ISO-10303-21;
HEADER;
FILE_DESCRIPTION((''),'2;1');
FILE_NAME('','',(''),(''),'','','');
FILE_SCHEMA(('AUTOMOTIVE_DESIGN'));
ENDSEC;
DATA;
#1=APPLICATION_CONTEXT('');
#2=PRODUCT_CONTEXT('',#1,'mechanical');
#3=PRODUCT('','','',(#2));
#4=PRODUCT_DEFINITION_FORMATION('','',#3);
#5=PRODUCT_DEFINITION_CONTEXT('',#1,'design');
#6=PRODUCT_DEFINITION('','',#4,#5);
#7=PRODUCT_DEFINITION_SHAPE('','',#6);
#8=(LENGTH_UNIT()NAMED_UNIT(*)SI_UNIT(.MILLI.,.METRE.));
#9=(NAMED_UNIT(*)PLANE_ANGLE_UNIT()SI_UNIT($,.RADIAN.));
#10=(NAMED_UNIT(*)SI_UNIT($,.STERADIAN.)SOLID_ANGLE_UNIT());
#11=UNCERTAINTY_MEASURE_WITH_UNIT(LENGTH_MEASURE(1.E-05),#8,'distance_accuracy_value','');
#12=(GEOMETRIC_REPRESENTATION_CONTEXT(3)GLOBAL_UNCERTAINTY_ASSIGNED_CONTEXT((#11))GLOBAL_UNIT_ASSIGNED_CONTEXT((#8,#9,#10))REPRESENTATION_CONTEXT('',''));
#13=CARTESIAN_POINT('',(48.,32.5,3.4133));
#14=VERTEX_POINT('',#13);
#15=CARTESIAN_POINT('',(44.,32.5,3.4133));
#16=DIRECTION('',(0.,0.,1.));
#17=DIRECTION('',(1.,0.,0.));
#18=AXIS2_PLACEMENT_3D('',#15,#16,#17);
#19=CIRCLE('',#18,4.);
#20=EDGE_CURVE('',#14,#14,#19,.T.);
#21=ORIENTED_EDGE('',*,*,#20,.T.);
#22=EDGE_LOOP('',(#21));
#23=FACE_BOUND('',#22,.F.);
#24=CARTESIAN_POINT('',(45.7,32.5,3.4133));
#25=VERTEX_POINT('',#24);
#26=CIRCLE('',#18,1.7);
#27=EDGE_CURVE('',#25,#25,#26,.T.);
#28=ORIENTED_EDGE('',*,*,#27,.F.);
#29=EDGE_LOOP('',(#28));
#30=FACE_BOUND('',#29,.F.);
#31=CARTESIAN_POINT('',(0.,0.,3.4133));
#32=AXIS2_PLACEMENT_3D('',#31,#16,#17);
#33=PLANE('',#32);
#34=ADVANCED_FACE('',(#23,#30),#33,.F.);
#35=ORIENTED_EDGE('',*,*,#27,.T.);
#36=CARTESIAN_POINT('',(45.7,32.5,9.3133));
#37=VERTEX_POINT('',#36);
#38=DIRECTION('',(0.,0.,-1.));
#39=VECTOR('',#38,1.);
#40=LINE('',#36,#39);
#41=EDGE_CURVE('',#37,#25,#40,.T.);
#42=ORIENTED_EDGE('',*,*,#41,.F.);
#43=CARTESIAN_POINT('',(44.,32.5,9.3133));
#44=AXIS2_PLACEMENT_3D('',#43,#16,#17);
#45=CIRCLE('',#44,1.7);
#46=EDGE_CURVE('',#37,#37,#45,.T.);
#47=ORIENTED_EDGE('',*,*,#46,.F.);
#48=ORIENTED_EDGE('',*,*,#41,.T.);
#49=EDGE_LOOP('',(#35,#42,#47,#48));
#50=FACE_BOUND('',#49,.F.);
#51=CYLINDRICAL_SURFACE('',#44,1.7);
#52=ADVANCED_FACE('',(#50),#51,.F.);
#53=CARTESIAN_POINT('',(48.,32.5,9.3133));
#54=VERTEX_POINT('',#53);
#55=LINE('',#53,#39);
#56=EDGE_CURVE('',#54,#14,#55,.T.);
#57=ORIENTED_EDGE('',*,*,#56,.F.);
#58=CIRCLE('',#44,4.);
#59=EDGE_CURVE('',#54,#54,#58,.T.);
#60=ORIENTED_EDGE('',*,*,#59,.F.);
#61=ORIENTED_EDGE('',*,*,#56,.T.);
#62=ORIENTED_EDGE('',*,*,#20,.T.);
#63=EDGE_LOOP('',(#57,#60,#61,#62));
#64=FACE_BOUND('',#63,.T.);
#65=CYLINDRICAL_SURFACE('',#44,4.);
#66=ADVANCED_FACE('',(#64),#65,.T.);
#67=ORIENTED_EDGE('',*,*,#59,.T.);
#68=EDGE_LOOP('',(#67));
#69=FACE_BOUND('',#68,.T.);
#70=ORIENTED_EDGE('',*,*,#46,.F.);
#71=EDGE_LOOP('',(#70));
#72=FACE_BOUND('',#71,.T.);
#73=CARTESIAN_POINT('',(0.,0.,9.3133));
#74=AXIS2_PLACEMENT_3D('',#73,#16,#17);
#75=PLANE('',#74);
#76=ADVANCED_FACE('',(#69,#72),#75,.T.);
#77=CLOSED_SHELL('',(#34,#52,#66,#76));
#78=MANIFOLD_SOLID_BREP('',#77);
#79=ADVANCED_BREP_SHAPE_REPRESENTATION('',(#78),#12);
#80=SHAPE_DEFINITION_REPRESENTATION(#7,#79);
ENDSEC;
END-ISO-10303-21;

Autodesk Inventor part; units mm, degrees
ref_plane "YZ Plane" through (0, 0, 0) normal (1, 0, 0) x (0, 1, 0)
ref_plane "Work Plane1" through (0, 0, 9.3133) normal (0, 0, 1) x (1, 0, 0)
sketch "Sketch1" plane through (0, 0, 9.3133) normal (0, 0, 1) x (1, 0, 0)
  circle A0 centre (44, 32.5) radius 1.5 projected
  circle A1 centre (44, 32.5) radius 4
  circle A2 centre (44, 32.5) radius 1.7
  point P0 (0, 0)
  dimension "d0" = 2.5
  dimension "d1" = 0.2
ref_plane "Work Plane2" through (41.5, 30, 4.899) normal (0, 0, -1) x (0, 1, 0)
extrude "Extrusion1" add sketch "Sketch1" against normal blind 5.9 contours A1
properties part number "Espaçadores"
